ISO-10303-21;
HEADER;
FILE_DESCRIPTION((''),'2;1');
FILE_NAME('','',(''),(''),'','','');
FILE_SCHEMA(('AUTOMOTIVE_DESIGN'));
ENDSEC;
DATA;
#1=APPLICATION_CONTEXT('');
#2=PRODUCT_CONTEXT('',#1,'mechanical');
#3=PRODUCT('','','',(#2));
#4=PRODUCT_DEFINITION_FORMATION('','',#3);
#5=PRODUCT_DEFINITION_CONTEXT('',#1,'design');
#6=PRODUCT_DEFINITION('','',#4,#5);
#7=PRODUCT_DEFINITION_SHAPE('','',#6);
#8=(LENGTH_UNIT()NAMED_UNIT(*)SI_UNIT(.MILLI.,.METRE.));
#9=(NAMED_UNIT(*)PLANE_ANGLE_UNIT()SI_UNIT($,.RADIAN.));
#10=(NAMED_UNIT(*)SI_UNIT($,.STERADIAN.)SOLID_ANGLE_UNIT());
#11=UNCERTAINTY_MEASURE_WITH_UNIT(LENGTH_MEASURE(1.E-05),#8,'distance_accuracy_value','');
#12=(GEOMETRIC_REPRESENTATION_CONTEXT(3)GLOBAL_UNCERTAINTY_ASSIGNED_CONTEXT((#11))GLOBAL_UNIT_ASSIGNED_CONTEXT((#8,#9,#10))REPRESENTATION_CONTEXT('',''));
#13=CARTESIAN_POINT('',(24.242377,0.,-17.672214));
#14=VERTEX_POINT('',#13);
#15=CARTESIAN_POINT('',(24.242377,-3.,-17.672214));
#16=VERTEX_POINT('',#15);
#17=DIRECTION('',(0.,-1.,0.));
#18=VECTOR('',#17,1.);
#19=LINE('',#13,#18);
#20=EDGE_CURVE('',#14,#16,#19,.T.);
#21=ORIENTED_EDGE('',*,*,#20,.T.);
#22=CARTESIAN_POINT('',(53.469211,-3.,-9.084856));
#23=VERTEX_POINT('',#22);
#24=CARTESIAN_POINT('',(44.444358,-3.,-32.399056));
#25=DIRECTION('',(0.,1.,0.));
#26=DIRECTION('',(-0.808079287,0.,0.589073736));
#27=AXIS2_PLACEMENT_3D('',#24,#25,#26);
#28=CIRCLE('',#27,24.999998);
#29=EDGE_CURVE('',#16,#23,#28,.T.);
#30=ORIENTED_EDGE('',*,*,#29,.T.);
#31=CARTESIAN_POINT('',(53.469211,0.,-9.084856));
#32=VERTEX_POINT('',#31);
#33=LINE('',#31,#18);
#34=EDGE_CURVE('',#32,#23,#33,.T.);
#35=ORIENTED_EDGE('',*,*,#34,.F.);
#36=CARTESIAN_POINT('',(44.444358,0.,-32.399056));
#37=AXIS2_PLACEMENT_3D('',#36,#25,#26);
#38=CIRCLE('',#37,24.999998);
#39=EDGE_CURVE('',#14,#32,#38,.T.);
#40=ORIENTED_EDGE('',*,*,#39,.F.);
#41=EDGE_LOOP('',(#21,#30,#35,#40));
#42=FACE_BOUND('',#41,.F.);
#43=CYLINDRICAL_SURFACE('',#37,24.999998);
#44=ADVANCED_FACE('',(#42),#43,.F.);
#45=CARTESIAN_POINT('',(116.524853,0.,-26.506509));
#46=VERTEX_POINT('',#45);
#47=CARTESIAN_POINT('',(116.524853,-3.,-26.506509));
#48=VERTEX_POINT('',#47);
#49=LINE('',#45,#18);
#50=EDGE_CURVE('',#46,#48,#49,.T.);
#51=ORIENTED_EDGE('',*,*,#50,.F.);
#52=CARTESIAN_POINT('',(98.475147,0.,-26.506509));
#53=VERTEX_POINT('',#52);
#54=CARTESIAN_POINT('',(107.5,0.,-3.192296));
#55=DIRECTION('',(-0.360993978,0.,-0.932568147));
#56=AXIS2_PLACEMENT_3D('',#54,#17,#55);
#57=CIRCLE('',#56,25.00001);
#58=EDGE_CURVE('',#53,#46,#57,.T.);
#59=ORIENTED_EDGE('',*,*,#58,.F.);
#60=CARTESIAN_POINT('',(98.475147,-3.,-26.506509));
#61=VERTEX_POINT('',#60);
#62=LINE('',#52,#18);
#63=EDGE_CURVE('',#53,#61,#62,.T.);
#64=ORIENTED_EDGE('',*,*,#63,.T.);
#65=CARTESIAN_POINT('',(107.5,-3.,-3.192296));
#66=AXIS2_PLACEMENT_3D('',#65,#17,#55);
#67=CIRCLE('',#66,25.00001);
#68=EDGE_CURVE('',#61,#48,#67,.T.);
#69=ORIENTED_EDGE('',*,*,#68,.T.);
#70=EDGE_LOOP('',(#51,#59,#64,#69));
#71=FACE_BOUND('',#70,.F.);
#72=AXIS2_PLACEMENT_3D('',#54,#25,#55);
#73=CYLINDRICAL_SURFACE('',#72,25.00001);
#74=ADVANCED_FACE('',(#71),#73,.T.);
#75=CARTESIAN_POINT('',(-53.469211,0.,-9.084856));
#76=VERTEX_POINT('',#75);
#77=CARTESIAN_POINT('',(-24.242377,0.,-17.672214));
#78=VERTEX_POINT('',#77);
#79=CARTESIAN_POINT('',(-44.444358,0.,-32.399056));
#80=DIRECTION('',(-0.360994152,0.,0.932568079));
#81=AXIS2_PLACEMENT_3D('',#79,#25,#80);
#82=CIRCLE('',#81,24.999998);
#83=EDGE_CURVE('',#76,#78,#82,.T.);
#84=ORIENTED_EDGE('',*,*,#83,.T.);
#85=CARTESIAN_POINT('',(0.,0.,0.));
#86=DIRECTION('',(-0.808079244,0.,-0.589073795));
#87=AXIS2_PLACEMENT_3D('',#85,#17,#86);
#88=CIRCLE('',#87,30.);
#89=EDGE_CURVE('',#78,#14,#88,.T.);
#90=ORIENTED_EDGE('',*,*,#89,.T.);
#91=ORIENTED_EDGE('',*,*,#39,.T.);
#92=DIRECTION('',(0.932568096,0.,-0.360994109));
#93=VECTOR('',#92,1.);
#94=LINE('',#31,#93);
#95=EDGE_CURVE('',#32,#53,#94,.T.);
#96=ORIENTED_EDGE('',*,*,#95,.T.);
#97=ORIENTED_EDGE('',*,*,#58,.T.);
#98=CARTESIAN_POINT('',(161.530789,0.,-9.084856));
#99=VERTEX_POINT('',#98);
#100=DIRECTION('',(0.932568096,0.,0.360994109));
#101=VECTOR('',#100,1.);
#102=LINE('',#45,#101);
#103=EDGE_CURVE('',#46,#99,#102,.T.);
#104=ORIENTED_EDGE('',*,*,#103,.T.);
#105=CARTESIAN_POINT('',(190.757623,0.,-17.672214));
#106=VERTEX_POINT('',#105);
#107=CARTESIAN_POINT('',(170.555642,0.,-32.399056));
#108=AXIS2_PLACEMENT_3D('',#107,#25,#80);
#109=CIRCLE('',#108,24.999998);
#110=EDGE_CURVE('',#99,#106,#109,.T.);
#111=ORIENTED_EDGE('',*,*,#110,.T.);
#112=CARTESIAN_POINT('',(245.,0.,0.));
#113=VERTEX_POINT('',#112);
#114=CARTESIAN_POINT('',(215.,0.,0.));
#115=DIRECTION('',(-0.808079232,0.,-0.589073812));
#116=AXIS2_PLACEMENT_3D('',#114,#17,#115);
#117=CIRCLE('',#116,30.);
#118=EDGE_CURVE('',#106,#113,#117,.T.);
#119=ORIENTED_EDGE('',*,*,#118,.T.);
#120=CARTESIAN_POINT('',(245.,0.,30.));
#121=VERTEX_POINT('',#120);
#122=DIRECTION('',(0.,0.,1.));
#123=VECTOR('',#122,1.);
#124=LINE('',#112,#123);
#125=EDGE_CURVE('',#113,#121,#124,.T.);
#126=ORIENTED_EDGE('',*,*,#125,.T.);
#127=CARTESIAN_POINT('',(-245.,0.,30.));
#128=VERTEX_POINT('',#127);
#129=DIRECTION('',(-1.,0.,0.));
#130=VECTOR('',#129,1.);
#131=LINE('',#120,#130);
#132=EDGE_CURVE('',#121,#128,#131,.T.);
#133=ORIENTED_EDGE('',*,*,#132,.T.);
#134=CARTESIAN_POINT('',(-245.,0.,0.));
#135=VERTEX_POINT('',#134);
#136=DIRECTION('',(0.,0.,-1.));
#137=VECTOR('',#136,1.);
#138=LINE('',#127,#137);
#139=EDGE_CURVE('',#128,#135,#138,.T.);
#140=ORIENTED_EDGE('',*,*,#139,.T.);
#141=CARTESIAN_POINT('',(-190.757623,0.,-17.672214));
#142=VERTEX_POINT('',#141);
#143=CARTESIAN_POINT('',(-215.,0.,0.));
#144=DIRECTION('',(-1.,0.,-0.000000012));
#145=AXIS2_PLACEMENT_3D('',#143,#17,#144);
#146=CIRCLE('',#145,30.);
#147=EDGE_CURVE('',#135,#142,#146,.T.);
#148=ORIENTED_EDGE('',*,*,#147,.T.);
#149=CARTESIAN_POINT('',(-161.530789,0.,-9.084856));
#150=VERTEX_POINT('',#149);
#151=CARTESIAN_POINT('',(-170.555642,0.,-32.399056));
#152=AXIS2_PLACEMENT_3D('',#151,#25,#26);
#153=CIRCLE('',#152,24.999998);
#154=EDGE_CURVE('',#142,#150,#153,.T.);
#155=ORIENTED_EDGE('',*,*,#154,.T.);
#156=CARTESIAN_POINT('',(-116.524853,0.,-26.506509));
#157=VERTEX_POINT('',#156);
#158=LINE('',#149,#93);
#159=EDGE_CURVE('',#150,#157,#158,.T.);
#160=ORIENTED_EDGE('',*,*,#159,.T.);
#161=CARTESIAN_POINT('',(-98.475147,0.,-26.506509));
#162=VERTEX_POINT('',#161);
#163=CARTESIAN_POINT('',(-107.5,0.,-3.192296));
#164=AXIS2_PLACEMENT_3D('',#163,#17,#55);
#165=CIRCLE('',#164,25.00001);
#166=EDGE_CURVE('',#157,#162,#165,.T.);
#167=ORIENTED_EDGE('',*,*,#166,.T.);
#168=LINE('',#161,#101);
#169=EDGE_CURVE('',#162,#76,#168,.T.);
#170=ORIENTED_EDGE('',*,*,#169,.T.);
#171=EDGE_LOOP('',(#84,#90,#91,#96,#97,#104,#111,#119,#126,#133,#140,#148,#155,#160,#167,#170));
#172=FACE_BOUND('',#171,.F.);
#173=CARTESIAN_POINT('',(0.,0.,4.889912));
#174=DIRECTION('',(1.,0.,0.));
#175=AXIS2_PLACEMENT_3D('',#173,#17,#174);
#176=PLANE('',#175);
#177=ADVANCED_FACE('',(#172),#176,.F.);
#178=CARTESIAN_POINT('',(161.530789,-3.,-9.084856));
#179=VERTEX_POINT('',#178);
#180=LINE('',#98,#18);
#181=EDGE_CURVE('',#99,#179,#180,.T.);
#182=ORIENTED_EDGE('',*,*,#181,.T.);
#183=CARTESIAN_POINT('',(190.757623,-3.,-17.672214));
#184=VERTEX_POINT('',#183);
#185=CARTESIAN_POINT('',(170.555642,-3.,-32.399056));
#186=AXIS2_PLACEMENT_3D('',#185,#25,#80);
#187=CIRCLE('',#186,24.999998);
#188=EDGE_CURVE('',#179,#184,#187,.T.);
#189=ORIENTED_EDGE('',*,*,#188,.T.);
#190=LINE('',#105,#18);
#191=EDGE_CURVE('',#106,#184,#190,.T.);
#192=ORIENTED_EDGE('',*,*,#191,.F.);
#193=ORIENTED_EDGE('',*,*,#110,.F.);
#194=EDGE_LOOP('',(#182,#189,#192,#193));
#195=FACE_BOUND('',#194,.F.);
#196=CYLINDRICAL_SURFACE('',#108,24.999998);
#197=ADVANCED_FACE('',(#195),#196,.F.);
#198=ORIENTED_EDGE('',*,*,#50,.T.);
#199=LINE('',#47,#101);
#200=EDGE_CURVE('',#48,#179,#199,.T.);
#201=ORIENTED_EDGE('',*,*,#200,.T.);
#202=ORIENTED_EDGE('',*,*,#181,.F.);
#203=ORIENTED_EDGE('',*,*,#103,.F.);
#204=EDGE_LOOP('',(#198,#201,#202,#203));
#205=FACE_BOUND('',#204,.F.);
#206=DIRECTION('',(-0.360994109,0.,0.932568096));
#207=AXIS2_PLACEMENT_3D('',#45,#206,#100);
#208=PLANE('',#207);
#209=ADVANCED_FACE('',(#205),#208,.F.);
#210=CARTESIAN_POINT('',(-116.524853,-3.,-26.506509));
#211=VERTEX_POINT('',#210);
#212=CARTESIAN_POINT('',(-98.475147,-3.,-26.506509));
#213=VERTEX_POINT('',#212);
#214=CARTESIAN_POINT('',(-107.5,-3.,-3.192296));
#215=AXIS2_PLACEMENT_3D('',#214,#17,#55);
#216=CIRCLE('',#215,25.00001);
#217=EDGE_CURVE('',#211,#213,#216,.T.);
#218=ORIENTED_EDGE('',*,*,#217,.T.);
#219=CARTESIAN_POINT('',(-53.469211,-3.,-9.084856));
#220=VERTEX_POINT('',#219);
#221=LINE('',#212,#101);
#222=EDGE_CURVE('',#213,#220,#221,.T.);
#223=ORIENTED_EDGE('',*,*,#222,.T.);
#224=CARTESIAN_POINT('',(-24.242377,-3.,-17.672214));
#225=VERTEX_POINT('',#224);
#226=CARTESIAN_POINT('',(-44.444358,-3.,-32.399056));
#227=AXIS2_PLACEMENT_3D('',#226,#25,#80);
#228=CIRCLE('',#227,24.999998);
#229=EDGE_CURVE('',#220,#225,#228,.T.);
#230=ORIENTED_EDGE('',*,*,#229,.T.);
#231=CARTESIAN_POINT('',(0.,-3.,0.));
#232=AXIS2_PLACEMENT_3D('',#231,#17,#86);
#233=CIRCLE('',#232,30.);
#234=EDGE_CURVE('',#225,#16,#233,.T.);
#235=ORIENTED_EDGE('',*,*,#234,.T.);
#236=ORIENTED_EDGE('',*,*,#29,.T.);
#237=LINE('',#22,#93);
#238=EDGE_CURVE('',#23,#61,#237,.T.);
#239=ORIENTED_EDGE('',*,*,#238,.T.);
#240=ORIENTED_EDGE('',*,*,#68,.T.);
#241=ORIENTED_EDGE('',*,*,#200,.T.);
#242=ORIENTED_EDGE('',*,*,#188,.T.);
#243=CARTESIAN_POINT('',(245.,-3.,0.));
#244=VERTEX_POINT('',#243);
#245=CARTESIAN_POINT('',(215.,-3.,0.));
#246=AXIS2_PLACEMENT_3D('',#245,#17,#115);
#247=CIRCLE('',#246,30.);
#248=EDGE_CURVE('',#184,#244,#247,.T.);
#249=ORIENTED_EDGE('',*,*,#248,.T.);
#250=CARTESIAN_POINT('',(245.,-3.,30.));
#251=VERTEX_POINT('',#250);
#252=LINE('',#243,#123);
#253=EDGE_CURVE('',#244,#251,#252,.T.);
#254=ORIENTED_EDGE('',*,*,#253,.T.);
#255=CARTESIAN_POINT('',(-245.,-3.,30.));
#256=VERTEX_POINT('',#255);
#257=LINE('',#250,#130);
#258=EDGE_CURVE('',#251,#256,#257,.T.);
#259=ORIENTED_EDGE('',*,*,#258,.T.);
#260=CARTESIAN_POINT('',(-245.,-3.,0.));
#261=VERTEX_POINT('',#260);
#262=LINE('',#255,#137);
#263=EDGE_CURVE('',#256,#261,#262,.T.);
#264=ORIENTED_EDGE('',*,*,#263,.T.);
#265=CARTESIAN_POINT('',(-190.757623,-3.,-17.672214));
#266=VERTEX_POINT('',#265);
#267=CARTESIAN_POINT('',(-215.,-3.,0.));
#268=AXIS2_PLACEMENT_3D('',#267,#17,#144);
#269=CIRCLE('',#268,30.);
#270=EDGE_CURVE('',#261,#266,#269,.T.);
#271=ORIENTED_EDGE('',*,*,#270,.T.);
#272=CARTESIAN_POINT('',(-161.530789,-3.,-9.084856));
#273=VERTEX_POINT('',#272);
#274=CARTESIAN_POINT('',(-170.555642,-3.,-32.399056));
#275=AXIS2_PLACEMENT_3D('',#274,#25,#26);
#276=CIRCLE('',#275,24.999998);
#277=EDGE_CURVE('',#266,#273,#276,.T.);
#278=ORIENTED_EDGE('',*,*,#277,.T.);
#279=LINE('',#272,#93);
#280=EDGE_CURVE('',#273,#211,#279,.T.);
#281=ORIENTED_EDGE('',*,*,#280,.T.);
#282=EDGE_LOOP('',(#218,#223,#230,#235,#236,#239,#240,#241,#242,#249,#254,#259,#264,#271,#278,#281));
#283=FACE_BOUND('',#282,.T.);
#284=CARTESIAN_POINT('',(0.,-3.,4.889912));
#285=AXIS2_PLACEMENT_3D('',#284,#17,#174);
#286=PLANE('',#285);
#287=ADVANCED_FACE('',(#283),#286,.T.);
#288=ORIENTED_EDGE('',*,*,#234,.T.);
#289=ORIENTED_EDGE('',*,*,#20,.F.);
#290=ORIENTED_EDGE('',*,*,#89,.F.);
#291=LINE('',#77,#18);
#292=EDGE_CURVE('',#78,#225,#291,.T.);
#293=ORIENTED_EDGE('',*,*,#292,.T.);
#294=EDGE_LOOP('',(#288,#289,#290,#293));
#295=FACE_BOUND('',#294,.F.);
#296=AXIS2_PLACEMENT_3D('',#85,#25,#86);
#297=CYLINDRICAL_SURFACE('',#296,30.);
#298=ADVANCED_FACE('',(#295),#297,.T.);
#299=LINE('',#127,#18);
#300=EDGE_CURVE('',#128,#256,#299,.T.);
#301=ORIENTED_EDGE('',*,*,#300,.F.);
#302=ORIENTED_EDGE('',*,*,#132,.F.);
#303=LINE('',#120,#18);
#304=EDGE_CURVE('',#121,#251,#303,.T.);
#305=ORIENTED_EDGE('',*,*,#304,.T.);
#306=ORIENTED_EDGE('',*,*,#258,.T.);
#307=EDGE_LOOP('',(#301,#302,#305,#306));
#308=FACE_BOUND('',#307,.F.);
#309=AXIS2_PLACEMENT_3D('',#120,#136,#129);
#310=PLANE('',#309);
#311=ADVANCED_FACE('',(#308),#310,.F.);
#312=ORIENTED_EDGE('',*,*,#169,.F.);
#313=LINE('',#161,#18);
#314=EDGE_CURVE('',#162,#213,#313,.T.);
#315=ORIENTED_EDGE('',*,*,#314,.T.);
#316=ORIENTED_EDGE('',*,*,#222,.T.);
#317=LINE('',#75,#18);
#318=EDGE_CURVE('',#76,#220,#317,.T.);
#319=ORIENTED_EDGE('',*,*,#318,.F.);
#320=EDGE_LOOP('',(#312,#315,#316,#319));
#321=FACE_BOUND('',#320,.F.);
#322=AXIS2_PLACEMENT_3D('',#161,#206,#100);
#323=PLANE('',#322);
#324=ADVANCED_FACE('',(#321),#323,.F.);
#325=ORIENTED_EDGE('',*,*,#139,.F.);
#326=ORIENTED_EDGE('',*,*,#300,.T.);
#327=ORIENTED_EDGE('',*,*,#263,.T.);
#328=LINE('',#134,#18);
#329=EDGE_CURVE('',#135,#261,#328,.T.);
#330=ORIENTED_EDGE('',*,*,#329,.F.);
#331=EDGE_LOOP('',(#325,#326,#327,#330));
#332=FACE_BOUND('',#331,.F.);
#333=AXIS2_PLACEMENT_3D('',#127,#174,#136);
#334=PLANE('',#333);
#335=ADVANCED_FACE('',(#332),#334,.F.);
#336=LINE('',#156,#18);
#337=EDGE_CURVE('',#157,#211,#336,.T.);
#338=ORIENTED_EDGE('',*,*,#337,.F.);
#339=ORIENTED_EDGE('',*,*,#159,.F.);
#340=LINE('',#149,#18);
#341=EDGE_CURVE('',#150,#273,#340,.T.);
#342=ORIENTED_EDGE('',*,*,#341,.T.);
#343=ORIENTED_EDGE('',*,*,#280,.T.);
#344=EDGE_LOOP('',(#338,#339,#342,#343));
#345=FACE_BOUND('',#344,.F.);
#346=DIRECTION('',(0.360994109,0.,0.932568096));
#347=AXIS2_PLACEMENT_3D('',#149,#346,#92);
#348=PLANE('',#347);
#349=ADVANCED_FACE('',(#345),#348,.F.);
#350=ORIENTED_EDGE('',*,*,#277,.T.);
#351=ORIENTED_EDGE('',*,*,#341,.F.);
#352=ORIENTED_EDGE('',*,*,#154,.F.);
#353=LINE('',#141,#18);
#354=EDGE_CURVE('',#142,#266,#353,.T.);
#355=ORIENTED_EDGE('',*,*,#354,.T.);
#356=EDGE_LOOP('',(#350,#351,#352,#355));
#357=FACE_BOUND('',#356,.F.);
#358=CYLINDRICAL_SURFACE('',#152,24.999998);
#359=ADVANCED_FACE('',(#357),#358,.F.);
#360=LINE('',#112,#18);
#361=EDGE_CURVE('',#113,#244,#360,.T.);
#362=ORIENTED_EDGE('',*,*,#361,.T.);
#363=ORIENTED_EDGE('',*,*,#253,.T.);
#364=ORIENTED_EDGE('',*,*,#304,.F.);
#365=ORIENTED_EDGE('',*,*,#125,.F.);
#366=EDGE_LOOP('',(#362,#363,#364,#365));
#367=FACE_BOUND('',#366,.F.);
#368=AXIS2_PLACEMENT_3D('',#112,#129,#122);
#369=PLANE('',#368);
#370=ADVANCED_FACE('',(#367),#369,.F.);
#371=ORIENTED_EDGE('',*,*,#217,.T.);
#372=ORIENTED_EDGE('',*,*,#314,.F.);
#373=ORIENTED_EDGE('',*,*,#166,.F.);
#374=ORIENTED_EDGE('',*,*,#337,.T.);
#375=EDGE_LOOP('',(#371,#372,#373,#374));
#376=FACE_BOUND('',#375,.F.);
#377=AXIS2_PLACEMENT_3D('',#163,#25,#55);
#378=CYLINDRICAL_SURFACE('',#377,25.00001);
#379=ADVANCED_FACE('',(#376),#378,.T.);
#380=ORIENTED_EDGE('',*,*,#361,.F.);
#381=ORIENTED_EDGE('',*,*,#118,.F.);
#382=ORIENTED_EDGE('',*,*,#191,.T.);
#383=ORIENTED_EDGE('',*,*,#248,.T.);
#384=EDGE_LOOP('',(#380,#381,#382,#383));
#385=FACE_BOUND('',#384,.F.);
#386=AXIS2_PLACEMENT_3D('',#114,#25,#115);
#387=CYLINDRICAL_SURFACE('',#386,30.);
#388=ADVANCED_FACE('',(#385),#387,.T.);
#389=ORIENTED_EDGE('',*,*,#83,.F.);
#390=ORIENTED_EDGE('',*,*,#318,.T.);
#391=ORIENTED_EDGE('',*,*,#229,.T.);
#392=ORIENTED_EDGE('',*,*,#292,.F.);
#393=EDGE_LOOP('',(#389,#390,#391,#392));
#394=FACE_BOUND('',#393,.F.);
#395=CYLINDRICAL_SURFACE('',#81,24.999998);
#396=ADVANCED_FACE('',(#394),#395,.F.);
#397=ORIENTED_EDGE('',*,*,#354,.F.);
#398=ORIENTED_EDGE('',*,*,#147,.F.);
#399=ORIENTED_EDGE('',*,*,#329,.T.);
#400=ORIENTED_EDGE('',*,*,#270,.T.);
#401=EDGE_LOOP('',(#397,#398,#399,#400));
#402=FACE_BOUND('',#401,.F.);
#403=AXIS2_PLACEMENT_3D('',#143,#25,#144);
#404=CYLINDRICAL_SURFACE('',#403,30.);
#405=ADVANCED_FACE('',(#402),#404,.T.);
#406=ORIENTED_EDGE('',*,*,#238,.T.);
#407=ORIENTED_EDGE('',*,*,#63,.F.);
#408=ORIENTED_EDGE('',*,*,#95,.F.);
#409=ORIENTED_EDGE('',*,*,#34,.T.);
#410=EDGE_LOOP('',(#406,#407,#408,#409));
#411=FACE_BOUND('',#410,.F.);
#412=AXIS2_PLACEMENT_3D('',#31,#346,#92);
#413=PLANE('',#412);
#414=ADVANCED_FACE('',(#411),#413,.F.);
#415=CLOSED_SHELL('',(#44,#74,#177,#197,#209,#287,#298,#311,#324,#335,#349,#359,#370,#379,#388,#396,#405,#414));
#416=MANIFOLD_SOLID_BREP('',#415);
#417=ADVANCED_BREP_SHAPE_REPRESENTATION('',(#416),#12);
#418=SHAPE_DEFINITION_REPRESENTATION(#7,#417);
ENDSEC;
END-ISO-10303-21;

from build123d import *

# Parameters (mm, degrees)
F1_DEPTH = 3


with BuildPart() as f1:
    # F0 (on Front) → F1 (new body)
    with BuildSketch(Plane.XZ):
        with BuildLine():
            Line((245, 30), (-245, 30))
            Line((-245, 30), (-245, 0))
            ThreePointArc((-245, 0), (-224.293242, -28.524299), (-190.757623, -17.672214))
            ThreePointArc((-190.757623, -17.672214), (-177.603175, -8.412973), (-161.530789, -9.084856))
            Line((-161.530789, -9.084856), (-116.524853, -26.506509))
            ThreePointArc((-116.524853, -26.506509), (-107.5, -28.192306), (-98.475147, -26.506509))
            Line((-98.475147, -26.506509), (-53.469211, -9.084856))
            ThreePointArc((-53.469211, -9.084856), (-37.396825, -8.412973), (-24.242377, -17.672214))
            ThreePointArc((-24.242377, -17.672214), (0, -30), (24.242377, -17.672214))
            ThreePointArc((24.242377, -17.672214), (37.396825, -8.412973), (53.469211, -9.084856))
            Line((53.469211, -9.084856), (98.475147, -26.506509))
            ThreePointArc((98.475147, -26.506509), (107.5, -28.192306), (116.524853, -26.506509))
            Line((116.524853, -26.506509), (161.530789, -9.084856))
            ThreePointArc((161.530789, -9.084856), (177.603175, -8.412973), (190.757623, -17.672214))
            ThreePointArc((190.757623, -17.672214), (224.293242, -28.524299), (245, 0))
            Line((245, 0), (245, 30))
        make_face()
    extrude(amount=F1_DEPTH)


solid = f1.part
